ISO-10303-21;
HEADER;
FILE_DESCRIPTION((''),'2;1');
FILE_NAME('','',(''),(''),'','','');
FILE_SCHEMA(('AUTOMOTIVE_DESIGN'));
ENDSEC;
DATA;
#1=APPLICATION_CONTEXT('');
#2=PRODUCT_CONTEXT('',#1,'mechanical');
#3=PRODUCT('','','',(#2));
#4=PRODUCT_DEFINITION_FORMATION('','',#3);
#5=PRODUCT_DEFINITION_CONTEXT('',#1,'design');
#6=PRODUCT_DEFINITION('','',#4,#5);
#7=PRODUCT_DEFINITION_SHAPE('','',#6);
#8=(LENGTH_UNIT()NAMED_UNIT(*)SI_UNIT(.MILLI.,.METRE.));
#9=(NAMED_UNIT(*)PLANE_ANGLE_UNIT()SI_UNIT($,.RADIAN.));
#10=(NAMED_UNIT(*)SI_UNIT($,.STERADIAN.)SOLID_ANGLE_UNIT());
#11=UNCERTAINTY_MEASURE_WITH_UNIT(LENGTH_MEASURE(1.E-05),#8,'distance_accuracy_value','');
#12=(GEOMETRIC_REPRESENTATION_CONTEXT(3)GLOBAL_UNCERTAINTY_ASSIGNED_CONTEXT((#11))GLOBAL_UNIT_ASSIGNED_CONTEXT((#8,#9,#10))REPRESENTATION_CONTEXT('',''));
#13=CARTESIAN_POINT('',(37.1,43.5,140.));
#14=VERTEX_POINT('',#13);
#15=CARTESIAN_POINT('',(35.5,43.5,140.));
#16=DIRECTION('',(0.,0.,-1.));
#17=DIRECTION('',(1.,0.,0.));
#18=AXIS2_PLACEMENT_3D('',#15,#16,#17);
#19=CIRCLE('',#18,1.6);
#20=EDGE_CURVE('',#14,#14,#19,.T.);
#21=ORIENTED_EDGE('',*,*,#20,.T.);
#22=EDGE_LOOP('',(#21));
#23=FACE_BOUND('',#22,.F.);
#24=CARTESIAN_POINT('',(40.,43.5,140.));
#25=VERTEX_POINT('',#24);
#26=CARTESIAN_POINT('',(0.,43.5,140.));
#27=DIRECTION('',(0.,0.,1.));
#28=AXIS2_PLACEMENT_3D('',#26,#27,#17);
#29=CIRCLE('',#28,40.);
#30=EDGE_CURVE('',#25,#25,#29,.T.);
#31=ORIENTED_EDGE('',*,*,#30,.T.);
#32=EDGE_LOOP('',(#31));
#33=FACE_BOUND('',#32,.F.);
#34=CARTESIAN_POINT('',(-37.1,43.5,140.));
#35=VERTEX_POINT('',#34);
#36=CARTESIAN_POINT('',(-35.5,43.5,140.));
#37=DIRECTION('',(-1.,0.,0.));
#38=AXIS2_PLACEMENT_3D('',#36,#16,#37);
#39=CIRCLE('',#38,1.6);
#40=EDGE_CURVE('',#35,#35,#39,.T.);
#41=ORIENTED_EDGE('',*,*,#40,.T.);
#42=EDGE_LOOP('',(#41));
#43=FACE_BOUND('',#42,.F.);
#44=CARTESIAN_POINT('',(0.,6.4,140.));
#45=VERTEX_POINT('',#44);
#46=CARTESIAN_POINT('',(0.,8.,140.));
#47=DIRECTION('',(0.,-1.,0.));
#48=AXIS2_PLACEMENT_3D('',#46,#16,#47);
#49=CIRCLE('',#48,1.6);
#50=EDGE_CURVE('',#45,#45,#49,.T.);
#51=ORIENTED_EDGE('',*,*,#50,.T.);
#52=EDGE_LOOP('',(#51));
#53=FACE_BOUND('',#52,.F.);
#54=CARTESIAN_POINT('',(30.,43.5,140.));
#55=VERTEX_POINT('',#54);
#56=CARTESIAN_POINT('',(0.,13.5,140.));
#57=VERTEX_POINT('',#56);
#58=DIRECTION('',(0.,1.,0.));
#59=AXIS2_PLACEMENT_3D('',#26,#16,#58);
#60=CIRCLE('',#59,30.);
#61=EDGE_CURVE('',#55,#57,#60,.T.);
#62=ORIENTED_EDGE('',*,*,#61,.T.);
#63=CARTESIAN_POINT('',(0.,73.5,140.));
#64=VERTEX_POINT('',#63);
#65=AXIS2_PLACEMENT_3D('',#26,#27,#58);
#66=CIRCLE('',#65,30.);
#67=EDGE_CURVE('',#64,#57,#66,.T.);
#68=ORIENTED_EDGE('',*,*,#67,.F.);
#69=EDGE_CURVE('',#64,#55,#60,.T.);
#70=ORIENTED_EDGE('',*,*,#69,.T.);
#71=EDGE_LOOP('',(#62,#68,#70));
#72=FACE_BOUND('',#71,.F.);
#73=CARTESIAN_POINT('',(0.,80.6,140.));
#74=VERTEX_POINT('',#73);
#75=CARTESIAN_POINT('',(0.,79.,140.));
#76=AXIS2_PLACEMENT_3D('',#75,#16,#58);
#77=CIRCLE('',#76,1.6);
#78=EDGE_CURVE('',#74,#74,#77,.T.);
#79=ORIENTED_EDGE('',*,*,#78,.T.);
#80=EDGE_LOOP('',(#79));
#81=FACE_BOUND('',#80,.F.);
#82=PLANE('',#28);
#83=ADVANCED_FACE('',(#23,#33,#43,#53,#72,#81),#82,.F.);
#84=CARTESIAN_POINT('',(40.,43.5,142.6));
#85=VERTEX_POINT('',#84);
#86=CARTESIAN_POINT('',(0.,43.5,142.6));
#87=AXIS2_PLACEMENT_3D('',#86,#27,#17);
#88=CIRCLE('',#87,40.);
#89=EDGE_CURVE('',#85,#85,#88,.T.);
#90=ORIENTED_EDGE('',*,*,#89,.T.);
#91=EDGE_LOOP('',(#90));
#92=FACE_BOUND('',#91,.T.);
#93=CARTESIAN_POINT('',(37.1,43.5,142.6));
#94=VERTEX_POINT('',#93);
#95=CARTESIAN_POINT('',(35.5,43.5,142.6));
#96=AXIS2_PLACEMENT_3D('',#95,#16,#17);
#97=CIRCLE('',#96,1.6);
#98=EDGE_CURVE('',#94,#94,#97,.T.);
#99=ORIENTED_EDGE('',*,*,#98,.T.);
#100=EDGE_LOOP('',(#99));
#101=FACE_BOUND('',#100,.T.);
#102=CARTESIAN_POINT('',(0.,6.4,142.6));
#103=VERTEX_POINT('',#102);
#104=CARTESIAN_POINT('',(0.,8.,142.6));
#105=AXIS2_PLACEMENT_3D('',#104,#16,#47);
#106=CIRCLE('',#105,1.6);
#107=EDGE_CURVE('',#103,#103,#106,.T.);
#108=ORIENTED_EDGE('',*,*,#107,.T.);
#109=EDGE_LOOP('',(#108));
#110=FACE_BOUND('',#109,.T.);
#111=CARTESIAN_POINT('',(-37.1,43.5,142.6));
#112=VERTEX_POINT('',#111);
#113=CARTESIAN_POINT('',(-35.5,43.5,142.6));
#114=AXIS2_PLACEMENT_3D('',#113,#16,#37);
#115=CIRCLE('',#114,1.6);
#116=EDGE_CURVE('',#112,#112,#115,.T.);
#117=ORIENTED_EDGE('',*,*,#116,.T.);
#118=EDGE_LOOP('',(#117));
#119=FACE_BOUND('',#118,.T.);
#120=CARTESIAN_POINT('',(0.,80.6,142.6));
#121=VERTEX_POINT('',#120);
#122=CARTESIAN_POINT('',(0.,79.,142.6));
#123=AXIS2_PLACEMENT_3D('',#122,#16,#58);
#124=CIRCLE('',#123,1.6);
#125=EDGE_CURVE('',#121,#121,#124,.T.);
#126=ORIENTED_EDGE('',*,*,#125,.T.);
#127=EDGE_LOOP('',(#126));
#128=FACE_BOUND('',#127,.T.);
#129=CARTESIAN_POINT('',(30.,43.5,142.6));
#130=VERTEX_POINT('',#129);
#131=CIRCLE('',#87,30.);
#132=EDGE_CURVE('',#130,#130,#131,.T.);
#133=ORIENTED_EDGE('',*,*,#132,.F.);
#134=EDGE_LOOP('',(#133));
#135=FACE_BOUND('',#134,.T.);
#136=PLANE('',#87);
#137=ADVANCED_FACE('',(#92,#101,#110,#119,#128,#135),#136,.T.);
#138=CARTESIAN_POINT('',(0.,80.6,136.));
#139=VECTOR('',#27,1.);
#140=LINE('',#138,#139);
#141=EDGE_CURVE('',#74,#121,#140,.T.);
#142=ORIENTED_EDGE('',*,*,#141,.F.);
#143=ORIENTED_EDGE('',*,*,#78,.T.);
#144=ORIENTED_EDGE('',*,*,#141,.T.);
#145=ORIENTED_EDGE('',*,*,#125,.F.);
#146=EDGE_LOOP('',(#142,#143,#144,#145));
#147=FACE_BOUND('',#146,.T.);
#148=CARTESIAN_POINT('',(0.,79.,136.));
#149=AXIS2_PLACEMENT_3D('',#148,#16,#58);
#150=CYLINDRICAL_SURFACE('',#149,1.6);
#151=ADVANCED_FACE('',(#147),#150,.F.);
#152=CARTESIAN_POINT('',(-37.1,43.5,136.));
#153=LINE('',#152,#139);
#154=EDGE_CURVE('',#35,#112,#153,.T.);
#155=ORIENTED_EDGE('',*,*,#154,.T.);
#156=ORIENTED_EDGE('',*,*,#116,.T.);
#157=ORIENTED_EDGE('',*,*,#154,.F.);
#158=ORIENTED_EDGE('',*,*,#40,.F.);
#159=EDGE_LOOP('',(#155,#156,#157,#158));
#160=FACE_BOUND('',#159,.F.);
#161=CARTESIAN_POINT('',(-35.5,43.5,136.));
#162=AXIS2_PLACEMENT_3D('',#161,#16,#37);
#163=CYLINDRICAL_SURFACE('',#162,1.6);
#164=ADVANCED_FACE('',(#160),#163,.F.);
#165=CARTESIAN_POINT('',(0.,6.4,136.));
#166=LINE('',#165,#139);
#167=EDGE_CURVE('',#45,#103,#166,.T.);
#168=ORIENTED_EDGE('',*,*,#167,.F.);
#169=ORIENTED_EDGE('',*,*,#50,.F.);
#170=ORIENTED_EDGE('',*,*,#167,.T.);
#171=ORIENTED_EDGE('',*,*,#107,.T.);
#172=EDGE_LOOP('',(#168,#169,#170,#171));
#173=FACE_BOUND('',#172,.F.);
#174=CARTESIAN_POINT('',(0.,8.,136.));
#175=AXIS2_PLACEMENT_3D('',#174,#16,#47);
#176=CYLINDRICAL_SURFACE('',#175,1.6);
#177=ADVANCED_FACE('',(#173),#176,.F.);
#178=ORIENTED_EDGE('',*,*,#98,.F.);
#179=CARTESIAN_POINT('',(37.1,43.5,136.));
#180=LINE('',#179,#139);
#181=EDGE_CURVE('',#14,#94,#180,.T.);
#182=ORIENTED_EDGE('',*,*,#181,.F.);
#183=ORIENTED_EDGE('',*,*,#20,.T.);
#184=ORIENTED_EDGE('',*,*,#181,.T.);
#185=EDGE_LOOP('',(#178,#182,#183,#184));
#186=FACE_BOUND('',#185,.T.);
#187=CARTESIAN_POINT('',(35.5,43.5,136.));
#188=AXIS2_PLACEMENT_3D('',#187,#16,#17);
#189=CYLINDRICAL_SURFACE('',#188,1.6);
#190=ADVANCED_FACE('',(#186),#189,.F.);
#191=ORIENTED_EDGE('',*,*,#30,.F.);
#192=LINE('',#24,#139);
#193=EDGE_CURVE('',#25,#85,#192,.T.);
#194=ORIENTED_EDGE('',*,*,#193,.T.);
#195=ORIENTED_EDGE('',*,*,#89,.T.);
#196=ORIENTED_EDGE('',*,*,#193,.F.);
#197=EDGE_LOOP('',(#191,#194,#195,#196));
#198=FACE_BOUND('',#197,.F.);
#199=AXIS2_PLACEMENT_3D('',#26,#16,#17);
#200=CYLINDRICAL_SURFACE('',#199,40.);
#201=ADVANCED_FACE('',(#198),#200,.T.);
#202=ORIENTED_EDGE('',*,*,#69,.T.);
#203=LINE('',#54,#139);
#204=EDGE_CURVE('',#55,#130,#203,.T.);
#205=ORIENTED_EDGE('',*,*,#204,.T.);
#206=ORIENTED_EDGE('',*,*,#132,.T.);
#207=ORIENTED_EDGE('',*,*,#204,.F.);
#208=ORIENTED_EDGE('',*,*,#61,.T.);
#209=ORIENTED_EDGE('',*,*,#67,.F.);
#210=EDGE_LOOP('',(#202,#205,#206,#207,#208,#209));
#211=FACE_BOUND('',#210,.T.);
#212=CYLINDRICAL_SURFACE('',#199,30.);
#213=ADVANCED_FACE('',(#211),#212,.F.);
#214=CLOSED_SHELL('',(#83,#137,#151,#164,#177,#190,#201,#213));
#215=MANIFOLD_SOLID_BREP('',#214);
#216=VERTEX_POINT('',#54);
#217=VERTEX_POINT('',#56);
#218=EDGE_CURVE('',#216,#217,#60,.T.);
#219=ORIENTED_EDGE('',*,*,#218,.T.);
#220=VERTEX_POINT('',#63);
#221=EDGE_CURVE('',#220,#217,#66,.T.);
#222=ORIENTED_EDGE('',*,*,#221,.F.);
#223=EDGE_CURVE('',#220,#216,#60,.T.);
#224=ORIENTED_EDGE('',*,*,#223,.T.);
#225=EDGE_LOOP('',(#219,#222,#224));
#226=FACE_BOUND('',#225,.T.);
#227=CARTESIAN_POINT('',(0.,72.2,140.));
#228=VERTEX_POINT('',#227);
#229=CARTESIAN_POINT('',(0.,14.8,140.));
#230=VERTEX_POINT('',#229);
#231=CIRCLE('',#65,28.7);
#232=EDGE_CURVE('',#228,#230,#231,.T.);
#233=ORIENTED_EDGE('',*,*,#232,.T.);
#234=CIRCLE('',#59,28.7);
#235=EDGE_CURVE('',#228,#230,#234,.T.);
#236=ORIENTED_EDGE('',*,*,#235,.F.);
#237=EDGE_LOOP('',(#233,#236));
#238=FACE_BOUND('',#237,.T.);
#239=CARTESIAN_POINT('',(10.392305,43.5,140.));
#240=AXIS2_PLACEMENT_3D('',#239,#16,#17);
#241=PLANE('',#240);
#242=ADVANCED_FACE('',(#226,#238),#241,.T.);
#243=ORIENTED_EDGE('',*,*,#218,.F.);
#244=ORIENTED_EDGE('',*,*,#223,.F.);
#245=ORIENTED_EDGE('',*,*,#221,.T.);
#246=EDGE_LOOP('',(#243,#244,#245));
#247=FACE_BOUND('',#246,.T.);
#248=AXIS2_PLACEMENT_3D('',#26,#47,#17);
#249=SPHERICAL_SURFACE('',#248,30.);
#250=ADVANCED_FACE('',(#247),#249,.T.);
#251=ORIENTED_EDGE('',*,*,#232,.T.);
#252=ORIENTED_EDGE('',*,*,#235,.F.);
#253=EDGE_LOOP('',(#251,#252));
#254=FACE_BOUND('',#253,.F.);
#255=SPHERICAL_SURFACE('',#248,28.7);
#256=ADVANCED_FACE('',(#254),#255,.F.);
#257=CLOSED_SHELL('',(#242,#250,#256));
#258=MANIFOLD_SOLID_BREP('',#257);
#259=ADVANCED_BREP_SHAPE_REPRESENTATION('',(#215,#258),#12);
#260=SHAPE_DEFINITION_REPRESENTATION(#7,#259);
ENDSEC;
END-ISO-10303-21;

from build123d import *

# Parameters (mm, degrees)
CYLINDER005_R             = 1.6
CYLINDER005_DEPTH         = 10
CYLINDER004_R             = 1.6
CYLINDER004_DEPTH         = 10
FUSION001_PLACEMENT_ANGLE = 90
CYLINDER003_R             = 1.6
CYLINDER003_DEPTH         = 10
CYLINDER002_R             = 1.6
CYLINDER002_DEPTH         = 10
CYLINDER001_R             = 30
CYLINDER001_DEPTH         = 2.6
CYLINDER_R                = 40
CYLINDER_DEPTH            = 2.6
SPHERE001_ANGLE           = 180
SPHERE_ANGLE              = 180


with BuildPart() as cylinder005:
    # Cylinder005 → Cylinder005 (new body)
    with BuildSketch(Plane(origin=(35.5, 0, 0), x_dir=(1, 0, 0), z_dir=(0, 0, 1))):
        Circle(CYLINDER005_R)
    extrude(amount=CYLINDER005_DEPTH)


with BuildPart() as part_mirroring001:
    # Part__Mirroring001: instance of Cylinder005
    add(cylinder005.part.mirror(Plane(origin=(0, 0, 0), x_dir=(0, -1, 0), z_dir=(1, 0, 0))))


with BuildPart() as hole002:
    # Cylinder004 → Cylinder004 (new body)
    with BuildSketch(Plane(origin=(35.5, 0, 0), x_dir=(1, 0, 0), z_dir=(0, 0, 1))):
        Circle(CYLINDER004_R)
    extrude(amount=CYLINDER004_DEPTH)

    # Fusion001: union Part__Mirroring001
    add(part_mirroring001.part)


with BuildPart() as hole002_1:
    # Fusion001 placement: moved
    add(hole002.part.rotate(Axis((0, 0, 0), (0, 0, 1)), FUSION001_PLACEMENT_ANGLE))


with BuildPart() as cylinder003:
    # Cylinder003 → Cylinder003 (new body)
    with BuildSketch(Plane(origin=(35.5, 0, 0), x_dir=(1, 0, 0), z_dir=(0, 0, 1))):
        Circle(CYLINDER003_R)
    extrude(amount=CYLINDER003_DEPTH)


with BuildPart() as part_mirroring:
    # Part__Mirroring: instance of Cylinder003
    add(cylinder003.part.mirror(Plane(origin=(0, 0, 0), x_dir=(0, -1, 0), z_dir=(1, 0, 0))))


with BuildPart() as holes:
    # Cylinder002 → Cylinder002 (new body)
    with BuildSketch(Plane(origin=(35.5, 0, 0), x_dir=(1, 0, 0), z_dir=(0, 0, 1))):
        Circle(CYLINDER002_R)
    extrude(amount=CYLINDER002_DEPTH)

    # Fusion178: union Part__Mirroring
    add(part_mirroring.part)

    # Fusion002: union hole002
    add(hole002_1.part)


with BuildPart() as holes_1:
    # Fusion002 placement: moved
    add(holes.part.moved(Location((0, 0, -4))))


with BuildPart() as cylinder_in:
    # Cylinder001 → Cylinder001 (new body)
    with BuildSketch(Plane.XY):
        Circle(CYLINDER001_R)
    extrude(amount=CYLINDER001_DEPTH)


with BuildPart() as cut004:
    # Cylinder → Cylinder (new body)
    with BuildSketch(Plane.XY):
        Circle(CYLINDER_R)
    extrude(amount=CYLINDER_DEPTH)

    # Cut003: cut Cylinder_in
    add(cylinder_in.part, mode=Mode.SUBTRACT)

    # Cut004: cut Holes
    add(holes_1.part, mode=Mode.SUBTRACT)


with BuildPart() as sphere_in:
    # Sphere001 → Sphere001 (revolve)
    with BuildSketch(Plane(origin=(0, 0, 0), x_dir=(1, 0, 0), z_dir=(0, 0, -1))):
        with BuildLine():
            ThreePointArc((0, -28.7), (28.7, 0), (0, 28.7))
            Line((0, 28.7), (0, -28.7))
        make_face()
    revolve(axis=Axis((0, 0, 0), (0, -1, 0)), revolution_arc=SPHERE001_ANGLE)


with BuildPart() as lightdome:
    # Sphere → Sphere (revolve)
    with BuildSketch(Plane(origin=(0, 0, 0), x_dir=(1, 0, 0), z_dir=(0, 0, -1))):
        with BuildLine():
            ThreePointArc((0, -30), (30, 0), (0, 30))
            Line((0, 30), (0, -30))
        make_face()
    revolve(axis=Axis((0, 0, 0), (0, -1, 0)), revolution_arc=SPHERE_ANGLE)

    # Cut002: cut Sphere_in
    add(sphere_in.part, mode=Mode.SUBTRACT)

    # Fusion004: union Cut004
    add(cut004.part)


with BuildPart() as lightdome_1:
    # Fusion004 placement: moved
    add(lightdome.part.moved(Location((0, 43.5, 140))))


solid = lightdome_1.part
